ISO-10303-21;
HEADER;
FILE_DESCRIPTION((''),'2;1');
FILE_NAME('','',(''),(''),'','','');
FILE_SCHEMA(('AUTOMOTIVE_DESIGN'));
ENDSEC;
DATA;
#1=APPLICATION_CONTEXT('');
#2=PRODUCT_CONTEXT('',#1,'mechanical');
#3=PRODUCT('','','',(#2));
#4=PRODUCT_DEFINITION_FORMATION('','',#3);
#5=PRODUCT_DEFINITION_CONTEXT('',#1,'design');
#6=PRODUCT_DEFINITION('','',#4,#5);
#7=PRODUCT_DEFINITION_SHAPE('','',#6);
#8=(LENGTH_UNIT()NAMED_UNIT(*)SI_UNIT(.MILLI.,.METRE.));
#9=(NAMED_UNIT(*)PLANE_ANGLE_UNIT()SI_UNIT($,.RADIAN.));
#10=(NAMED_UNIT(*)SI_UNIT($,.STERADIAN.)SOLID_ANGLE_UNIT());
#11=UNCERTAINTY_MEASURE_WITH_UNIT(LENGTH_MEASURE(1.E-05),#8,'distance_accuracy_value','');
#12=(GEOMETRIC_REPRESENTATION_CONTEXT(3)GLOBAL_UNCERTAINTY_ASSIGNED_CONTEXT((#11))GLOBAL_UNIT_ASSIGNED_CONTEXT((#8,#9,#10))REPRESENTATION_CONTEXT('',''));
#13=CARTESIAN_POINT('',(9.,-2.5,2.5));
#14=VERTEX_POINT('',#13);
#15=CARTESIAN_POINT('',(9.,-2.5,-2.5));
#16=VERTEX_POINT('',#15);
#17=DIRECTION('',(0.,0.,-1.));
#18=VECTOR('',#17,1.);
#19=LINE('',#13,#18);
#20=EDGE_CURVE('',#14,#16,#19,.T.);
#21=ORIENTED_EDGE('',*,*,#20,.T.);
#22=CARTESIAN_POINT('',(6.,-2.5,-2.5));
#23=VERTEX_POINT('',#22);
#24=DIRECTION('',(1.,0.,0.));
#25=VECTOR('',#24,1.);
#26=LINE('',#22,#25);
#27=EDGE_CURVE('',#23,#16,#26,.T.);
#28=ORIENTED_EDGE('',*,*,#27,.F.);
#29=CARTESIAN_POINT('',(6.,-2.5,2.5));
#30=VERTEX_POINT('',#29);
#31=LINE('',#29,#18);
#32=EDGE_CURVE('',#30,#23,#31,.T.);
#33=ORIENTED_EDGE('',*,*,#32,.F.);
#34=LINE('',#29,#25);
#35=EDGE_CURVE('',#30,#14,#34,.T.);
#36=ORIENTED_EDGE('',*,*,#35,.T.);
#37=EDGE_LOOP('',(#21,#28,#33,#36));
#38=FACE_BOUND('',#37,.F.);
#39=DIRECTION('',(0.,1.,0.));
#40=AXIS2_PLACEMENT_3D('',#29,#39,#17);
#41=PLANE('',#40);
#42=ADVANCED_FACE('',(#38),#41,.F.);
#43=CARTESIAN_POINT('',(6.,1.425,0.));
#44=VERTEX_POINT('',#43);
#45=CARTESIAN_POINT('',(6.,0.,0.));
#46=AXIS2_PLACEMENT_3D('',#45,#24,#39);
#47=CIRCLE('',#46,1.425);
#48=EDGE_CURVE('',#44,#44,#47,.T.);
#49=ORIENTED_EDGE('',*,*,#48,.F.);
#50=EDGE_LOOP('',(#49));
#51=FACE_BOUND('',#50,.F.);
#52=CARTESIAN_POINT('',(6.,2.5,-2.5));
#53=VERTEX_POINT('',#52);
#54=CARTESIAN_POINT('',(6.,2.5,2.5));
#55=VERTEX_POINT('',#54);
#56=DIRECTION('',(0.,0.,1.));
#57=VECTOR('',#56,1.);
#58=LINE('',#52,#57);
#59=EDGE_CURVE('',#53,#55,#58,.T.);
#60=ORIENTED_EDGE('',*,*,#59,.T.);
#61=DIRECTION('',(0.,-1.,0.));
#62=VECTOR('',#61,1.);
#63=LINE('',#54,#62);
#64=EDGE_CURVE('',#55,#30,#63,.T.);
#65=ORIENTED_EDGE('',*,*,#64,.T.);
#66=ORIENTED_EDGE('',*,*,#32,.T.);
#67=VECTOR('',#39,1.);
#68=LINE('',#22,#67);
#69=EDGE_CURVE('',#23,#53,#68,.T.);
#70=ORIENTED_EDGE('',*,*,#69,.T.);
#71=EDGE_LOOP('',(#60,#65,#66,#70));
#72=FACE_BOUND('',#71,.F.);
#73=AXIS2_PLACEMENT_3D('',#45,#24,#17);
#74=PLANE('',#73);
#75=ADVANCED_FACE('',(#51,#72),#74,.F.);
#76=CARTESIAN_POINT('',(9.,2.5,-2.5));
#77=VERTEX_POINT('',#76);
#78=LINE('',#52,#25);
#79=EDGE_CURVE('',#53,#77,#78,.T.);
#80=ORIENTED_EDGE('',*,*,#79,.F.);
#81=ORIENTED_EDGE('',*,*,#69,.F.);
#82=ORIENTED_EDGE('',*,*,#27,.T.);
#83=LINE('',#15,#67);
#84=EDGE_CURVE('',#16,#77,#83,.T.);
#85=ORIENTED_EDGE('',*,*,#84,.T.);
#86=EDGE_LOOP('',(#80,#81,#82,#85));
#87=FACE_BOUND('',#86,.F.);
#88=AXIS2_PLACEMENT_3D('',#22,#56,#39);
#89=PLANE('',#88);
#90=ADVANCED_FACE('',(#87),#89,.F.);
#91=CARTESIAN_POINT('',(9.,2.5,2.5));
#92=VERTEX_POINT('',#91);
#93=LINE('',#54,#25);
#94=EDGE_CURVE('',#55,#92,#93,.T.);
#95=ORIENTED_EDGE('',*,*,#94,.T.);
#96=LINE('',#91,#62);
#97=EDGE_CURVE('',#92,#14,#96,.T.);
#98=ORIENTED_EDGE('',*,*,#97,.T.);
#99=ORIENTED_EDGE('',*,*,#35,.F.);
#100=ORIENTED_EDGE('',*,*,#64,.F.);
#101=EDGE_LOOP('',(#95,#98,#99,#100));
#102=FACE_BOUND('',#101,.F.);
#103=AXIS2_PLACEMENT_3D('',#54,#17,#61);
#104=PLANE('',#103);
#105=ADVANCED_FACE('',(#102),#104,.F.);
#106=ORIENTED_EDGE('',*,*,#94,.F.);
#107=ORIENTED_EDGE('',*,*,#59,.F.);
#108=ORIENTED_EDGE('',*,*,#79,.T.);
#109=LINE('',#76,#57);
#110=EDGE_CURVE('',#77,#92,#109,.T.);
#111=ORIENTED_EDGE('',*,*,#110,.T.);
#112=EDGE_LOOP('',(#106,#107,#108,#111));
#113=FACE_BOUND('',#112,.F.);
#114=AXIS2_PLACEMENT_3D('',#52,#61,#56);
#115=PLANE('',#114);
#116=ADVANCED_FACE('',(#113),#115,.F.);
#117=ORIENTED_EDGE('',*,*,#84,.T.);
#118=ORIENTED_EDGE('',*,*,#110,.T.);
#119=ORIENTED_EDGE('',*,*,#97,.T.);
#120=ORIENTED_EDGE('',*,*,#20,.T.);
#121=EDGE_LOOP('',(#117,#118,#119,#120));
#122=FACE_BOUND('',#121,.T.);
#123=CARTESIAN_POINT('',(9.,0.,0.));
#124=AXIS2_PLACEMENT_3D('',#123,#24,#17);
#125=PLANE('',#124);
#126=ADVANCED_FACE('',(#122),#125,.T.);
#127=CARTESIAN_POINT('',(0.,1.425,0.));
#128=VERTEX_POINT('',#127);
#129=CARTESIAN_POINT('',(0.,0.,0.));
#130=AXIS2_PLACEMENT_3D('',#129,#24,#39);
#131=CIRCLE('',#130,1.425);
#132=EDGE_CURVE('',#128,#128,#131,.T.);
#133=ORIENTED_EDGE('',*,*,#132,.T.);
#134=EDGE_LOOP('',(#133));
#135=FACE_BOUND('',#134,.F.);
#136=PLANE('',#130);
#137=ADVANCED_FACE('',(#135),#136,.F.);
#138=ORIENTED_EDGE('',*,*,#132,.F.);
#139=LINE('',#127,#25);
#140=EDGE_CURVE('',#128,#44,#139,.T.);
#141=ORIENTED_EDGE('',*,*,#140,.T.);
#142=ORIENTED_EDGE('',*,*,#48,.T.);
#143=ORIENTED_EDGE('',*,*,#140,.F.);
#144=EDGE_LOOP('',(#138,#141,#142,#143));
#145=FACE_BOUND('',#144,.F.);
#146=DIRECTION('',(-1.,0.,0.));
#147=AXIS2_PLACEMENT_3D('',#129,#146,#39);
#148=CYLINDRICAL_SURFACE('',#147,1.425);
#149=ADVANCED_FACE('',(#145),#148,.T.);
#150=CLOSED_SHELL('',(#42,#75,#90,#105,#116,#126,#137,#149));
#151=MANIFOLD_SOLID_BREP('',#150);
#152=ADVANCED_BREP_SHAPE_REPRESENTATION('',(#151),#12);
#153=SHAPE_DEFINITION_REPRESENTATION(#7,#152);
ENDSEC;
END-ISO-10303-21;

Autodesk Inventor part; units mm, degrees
ref_plane "YZ Plane" through (0, 0, 0) normal (1, 0, 0) x (0, 1, 0)
ref_plane "XZ Plane" through (0, 0, 0) normal (0, 1, 0) x (-1, 0, 0)
ref_plane "XY Plane" through (0, 0, 0) normal (0, 0, 1) x (1, 0, 0)
sketch "Sketch1" plane through (0, 0, 0) normal (1, 0, 0) x (0, 1, 0)
  circle A0 centre (0, 0) radius 1.425
  dimension "d0" = 2.85
extrude "Extrusion1" add sketch "Sketch1" along normal blind 6
sketch "Sketch2" plane through (6, 0, 0) normal (1, 0, 0) x (0, 0, -1)
  line L0 (2.5, 2.5) -> (-2.5, 2.5)
  line L1 (-2.5, 2.5) -> (-2.5, -2.5)
  line L2 (-2.5, -2.5) -> (2.5, -2.5)
  line L3 (2.5, -2.5) -> (2.5, 2.5)
  line L4 (2.5, 2.5) -> (-2.5, -2.5) construction
  line L5 (-2.5, 2.5) -> (2.5, -2.5) construction
  point P0 (0, 0)
  dimension "d3" = 5
  dimension "d4" = 5
extrude "Extrusion2" add sketch "Sketch2" along normal blind 3
properties part number "MiddleJoint"
